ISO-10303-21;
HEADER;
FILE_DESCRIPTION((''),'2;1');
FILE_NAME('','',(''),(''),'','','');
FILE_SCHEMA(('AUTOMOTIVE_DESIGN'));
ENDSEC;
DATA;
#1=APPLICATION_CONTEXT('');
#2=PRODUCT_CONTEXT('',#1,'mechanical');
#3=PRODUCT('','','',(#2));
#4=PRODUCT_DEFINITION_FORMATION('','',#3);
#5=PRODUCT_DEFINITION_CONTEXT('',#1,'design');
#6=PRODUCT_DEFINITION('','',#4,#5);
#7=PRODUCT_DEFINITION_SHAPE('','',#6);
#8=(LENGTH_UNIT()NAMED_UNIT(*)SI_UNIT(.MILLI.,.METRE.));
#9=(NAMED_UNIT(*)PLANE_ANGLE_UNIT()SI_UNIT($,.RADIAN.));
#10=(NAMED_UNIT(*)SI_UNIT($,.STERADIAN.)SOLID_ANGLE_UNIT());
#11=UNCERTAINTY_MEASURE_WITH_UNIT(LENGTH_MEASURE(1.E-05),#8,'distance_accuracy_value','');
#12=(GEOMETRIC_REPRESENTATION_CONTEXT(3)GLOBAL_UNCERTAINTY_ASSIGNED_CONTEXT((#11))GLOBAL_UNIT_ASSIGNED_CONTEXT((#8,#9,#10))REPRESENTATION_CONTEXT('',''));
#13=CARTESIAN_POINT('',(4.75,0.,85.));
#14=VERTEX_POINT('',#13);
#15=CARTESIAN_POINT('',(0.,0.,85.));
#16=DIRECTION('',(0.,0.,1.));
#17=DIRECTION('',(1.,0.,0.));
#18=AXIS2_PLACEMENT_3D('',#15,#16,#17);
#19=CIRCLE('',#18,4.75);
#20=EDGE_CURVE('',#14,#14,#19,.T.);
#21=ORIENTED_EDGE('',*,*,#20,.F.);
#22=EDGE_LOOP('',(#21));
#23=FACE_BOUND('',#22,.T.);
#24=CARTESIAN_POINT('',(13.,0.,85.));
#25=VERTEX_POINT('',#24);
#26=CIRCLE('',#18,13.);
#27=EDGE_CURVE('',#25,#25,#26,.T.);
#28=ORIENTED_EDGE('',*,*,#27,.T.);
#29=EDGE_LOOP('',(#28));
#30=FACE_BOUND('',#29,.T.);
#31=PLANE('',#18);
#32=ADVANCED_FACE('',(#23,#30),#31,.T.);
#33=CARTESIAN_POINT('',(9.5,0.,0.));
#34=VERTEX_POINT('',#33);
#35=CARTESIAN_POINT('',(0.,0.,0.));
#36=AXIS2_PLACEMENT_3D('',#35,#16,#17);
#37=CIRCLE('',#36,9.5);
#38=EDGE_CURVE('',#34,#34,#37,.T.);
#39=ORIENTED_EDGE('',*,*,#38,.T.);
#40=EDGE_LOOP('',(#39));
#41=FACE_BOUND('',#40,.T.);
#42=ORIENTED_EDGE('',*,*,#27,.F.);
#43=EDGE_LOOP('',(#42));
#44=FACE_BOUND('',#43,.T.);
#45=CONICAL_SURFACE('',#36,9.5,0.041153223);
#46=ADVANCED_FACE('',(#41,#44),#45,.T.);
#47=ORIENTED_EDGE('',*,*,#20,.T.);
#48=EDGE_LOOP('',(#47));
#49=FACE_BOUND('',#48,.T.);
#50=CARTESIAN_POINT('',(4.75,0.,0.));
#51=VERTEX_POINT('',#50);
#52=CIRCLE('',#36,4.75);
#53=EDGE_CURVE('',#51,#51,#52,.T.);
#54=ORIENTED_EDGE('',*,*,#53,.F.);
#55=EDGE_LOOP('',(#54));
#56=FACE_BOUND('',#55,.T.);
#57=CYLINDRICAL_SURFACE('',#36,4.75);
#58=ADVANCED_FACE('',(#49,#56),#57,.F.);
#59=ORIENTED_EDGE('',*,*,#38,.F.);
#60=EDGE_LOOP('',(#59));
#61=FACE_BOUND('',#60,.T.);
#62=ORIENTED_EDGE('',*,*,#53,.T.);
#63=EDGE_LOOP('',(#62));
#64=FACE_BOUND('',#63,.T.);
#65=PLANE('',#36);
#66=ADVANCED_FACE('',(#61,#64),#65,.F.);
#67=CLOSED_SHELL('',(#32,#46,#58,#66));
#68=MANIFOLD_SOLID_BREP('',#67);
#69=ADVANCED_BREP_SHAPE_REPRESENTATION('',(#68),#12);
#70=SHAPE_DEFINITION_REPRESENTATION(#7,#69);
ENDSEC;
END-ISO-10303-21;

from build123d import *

# Parameters (mm, degrees)
SKETCH1_R          = 9.5
SKETCH2_R          = 13
SKETCH3_R          = 4.75
CUT_EXTRUDE1_DEPTH = 87.965510533


with BuildPart() as part:
    # Sketch1 → Base-Loft section 0
    with BuildSketch(Plane.XY):
        Circle(SKETCH1_R)
    # Sketch2 → Base-Loft section 1
    with BuildSketch(Plane.XY.offset(85)):
        Circle(SKETCH2_R)
    loft()

    # Sketch3 → Cut-Extrude1 (cut, through all)
    with BuildSketch(Plane.XY.offset(85)):
        Circle(SKETCH3_R)
    extrude(amount=-CUT_EXTRUDE1_DEPTH, mode=Mode.SUBTRACT)


solid = part.part
